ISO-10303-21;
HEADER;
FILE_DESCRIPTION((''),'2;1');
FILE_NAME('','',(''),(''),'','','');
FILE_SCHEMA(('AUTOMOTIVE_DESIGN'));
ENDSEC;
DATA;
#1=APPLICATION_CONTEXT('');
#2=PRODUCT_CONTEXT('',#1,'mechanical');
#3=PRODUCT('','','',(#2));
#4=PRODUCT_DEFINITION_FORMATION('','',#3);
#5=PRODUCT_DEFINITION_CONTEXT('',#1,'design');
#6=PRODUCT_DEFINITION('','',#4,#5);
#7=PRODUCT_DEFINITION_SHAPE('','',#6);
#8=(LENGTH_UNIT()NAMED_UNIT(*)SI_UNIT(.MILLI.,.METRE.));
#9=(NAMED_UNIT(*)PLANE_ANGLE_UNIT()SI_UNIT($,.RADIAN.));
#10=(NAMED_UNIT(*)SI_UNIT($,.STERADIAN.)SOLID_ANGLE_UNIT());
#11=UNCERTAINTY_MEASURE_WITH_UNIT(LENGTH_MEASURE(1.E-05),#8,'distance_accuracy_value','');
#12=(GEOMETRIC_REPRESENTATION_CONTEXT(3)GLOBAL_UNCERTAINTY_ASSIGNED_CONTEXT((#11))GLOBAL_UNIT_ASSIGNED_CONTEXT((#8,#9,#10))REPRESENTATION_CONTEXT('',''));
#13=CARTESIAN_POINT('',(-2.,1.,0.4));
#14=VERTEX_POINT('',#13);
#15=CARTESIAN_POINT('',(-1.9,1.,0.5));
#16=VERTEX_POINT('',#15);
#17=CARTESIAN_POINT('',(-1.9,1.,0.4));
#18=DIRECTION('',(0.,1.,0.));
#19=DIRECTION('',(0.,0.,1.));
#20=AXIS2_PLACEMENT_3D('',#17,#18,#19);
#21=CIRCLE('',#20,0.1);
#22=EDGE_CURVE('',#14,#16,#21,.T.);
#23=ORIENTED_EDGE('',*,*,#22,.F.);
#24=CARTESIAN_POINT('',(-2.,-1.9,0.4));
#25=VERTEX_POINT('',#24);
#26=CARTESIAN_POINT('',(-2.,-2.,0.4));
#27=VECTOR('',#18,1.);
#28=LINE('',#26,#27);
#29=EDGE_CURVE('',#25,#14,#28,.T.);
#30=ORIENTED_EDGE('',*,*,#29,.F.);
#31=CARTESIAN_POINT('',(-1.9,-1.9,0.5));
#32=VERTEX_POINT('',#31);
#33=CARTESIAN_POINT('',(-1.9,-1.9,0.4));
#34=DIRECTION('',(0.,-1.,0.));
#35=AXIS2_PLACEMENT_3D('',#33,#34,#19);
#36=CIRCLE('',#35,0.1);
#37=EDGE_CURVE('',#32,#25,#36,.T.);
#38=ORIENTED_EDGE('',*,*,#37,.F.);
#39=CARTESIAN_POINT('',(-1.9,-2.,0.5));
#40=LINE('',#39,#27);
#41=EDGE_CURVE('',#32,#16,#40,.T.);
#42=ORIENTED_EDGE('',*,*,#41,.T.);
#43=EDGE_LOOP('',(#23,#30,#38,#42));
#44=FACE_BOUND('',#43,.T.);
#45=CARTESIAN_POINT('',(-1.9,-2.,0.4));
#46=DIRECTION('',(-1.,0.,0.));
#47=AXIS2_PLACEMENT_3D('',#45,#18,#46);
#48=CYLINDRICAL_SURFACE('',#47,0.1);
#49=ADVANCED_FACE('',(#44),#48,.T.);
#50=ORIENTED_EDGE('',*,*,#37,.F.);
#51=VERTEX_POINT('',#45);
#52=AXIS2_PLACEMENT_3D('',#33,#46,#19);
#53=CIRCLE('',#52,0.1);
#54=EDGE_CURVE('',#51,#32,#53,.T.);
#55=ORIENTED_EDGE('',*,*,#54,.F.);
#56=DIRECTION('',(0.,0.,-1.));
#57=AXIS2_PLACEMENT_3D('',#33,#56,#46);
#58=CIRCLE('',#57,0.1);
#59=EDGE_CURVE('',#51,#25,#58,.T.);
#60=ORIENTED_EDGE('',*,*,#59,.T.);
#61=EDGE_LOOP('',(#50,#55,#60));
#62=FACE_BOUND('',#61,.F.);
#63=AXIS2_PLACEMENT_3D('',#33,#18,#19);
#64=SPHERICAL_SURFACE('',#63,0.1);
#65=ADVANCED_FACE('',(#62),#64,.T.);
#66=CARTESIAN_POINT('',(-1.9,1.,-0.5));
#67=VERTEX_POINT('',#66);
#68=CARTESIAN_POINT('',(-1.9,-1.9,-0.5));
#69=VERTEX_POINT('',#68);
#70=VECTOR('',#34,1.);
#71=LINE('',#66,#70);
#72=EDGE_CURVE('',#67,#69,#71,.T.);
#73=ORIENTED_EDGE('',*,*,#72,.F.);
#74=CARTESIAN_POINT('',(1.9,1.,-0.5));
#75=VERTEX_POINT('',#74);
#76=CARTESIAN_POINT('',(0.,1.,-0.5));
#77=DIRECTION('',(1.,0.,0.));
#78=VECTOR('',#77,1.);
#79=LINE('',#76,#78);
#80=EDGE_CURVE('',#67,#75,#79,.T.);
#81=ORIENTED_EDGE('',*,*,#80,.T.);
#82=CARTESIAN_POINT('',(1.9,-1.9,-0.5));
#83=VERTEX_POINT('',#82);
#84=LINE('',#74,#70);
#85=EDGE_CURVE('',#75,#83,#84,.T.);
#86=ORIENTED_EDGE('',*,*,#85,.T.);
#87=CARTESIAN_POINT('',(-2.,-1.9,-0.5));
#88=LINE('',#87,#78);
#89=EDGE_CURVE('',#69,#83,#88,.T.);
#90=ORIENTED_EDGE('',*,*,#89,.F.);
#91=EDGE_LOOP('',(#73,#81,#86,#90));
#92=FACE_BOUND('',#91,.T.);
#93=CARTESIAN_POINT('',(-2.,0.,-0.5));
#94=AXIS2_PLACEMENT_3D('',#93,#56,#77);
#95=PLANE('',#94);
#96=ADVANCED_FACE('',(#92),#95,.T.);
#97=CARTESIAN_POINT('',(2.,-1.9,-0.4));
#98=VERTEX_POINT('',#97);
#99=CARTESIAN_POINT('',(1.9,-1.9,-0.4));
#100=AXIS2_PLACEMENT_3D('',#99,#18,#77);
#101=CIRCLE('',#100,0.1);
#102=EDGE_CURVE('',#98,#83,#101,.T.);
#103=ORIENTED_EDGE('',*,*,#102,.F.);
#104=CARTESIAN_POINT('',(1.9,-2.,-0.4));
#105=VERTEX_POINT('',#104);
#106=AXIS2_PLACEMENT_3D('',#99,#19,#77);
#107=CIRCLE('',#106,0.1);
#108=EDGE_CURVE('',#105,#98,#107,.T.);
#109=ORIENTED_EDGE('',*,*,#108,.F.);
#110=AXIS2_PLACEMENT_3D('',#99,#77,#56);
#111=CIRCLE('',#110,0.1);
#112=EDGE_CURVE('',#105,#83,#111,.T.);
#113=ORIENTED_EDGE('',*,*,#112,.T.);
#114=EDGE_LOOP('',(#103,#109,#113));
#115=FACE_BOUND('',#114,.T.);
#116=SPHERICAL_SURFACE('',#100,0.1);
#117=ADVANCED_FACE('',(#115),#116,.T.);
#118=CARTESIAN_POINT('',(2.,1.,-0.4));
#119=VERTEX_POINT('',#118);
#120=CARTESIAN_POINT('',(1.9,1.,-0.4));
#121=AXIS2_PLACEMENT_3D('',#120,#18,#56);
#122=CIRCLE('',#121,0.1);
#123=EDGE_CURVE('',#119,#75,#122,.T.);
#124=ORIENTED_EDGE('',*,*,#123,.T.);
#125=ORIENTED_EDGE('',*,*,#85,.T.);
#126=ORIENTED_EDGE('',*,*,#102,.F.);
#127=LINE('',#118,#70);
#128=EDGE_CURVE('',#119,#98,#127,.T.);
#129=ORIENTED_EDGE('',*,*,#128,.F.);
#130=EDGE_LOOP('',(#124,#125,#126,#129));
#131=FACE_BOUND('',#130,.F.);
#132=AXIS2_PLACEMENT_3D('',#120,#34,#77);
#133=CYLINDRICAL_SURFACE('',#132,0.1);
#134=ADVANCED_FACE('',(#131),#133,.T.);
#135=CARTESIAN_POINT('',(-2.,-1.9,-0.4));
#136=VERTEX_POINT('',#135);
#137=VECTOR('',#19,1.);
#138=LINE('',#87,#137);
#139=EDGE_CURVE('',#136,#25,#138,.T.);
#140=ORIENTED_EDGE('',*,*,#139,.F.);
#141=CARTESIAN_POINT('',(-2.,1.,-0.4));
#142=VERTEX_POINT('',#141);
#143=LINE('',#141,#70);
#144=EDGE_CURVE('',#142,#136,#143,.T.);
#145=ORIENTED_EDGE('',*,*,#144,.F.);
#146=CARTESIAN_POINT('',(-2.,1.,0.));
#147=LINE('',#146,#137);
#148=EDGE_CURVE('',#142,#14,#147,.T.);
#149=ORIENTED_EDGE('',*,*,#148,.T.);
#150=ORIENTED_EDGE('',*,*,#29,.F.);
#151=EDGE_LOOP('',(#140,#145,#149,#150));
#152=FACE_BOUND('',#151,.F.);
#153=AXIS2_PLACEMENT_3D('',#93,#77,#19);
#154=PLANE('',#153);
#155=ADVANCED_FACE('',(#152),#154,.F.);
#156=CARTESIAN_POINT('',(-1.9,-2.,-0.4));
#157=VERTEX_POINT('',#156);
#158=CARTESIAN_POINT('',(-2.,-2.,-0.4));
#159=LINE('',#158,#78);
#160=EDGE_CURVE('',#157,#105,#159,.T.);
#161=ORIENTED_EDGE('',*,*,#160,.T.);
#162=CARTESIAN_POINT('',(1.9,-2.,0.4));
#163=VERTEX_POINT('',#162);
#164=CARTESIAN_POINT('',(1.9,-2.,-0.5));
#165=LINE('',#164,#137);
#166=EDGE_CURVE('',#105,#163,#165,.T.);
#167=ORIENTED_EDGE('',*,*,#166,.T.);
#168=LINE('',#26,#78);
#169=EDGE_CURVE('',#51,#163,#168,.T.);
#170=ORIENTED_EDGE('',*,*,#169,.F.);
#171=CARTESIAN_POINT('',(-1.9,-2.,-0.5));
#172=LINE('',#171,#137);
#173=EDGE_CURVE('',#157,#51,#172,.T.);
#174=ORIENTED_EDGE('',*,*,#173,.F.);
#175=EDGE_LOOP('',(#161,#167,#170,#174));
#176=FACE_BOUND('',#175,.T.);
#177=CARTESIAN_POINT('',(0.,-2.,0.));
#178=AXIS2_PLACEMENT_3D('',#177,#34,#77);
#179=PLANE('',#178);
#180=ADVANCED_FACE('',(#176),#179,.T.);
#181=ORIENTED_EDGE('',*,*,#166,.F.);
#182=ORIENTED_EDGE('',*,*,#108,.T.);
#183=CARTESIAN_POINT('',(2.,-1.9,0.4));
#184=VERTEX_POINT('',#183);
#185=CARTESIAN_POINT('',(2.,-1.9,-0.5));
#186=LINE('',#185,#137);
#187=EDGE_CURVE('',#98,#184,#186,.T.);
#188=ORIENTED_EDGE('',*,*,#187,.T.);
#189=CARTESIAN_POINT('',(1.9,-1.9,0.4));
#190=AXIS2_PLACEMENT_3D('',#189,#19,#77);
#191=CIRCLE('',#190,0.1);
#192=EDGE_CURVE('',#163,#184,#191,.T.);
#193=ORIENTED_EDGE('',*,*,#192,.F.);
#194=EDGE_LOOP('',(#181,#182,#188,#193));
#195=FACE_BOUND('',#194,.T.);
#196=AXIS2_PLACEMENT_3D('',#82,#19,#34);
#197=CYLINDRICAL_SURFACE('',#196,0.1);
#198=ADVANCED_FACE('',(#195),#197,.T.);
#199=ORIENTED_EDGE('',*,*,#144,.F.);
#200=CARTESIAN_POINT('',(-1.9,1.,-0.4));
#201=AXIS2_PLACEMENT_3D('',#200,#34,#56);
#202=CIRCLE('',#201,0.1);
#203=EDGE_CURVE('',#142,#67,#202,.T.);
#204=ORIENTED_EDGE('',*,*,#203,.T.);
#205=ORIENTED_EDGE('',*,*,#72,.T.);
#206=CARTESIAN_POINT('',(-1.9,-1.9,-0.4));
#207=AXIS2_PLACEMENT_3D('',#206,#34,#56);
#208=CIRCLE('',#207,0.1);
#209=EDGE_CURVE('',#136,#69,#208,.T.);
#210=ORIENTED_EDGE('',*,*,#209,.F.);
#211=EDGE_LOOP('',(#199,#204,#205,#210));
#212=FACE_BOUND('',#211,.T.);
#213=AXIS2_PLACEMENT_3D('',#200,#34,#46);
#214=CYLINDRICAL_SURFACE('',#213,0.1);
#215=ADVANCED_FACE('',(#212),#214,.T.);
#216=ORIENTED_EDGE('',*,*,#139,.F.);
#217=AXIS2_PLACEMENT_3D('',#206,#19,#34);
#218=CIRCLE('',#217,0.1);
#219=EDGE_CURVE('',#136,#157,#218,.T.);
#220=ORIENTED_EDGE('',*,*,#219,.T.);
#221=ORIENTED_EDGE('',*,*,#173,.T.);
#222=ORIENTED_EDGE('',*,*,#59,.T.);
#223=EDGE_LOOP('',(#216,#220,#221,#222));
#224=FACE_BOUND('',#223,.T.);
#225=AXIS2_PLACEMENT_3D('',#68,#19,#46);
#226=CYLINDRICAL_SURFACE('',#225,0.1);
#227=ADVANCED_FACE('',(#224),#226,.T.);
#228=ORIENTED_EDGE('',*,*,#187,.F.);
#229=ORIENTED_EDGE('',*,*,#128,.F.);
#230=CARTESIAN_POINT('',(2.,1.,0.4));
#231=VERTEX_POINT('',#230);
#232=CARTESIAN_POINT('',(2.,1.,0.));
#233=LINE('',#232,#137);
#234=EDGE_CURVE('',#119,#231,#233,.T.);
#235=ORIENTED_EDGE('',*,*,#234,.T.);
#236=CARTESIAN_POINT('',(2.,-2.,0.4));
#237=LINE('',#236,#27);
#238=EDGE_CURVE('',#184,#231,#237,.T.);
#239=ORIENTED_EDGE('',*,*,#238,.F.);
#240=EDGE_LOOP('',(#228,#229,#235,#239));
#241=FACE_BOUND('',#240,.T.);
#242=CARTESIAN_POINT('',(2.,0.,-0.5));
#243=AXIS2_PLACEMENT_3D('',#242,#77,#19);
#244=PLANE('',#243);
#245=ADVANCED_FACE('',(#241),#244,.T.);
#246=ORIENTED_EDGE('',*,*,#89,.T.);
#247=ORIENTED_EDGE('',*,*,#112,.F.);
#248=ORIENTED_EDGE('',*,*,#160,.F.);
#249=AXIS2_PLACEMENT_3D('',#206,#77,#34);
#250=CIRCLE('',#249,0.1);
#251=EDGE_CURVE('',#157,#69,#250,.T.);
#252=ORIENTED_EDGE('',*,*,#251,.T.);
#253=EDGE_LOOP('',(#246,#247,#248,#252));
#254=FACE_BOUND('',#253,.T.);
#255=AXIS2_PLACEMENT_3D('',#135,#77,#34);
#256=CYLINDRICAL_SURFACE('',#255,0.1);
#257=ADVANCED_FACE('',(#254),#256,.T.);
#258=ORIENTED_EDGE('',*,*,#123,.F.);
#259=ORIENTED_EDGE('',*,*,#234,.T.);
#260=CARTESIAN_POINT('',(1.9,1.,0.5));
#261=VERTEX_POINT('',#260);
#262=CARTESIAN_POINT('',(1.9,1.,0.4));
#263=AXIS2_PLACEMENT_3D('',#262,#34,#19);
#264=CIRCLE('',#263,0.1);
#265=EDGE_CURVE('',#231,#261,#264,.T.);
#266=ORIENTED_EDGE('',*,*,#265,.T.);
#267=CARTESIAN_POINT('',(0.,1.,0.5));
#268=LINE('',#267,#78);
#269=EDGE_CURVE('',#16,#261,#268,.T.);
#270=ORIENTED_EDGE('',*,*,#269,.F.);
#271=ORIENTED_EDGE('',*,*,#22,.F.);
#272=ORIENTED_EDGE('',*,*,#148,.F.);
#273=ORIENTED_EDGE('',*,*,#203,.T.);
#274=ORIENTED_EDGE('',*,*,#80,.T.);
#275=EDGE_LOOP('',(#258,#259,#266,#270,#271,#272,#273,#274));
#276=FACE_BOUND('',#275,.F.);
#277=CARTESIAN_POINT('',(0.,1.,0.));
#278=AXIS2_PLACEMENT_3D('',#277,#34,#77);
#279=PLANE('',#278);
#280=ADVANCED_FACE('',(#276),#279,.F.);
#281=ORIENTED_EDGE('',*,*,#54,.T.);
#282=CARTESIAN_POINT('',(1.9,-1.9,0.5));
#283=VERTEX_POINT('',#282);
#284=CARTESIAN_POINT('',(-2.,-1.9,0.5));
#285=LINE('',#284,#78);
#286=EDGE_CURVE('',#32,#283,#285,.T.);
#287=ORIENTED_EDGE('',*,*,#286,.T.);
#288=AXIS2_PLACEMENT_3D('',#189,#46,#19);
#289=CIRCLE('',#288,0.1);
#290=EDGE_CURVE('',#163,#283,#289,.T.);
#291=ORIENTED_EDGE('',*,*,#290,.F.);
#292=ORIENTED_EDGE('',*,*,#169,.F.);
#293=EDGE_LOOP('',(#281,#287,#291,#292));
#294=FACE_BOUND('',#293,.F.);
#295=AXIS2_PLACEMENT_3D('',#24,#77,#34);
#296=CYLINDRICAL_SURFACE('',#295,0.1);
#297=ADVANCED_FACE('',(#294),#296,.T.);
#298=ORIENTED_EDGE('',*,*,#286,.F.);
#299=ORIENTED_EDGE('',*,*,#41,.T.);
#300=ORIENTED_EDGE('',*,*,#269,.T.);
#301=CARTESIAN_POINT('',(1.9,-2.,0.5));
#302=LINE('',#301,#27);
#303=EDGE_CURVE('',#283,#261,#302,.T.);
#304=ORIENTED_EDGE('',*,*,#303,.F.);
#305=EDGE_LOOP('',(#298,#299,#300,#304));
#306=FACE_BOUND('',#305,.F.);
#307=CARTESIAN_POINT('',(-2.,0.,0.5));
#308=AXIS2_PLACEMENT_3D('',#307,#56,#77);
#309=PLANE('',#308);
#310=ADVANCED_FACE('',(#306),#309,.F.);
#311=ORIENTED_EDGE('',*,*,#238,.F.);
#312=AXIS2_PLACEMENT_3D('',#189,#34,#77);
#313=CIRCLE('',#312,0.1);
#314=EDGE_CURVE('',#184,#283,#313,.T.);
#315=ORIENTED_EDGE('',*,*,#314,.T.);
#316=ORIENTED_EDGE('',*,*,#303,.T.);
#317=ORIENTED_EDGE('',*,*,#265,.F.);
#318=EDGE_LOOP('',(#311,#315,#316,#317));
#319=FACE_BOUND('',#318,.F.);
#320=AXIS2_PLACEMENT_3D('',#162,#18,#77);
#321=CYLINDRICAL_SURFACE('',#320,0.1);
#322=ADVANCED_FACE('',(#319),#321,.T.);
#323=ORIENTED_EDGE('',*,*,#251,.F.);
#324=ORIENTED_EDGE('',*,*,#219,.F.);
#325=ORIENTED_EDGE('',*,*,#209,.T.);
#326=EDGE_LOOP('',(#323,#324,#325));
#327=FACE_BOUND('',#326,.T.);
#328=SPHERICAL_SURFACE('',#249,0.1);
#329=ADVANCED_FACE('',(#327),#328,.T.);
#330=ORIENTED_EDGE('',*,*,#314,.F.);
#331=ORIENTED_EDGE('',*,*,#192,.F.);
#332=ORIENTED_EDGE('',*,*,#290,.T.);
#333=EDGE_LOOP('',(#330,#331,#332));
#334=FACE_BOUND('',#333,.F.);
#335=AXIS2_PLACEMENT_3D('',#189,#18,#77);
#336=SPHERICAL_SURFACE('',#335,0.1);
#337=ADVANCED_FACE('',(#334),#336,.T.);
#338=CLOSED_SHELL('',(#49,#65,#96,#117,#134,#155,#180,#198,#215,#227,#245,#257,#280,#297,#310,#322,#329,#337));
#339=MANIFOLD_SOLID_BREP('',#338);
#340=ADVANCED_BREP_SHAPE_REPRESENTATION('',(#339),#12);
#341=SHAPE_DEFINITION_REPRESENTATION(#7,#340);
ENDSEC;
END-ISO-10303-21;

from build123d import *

# Parameters (mm, degrees)
F0_W          = 4
F0_H          = 1
F1_DEPTH      = 2
F1_DEPTH_BACK = 1
F2_R          = 0.1


with BuildPart() as f1:
    # F0 (on Front) → F1 (new body, two sides)
    with BuildSketch(Plane.XZ) as f1_sk:
        Rectangle(F0_W, F0_H)
    extrude(amount=F1_DEPTH)
    extrude(f1_sk.sketch, amount=-F1_DEPTH_BACK)

    # F2
    f2_edges = [f1.edges().sort_by_distance(p)[0] for p in [
        (-2, -0.5, 0.5),
        (2, -0.5, 0.5),
        (2, -0.5, -0.5),
        (2, -2, 0),
        (0, -2, 0.5),
        (0, -2, -0.5),
        (-2, -2, 0),
        (-2, -0.5, -0.5),
    ]]
    fillet(f2_edges, radius=F2_R)


solid = f1.part
